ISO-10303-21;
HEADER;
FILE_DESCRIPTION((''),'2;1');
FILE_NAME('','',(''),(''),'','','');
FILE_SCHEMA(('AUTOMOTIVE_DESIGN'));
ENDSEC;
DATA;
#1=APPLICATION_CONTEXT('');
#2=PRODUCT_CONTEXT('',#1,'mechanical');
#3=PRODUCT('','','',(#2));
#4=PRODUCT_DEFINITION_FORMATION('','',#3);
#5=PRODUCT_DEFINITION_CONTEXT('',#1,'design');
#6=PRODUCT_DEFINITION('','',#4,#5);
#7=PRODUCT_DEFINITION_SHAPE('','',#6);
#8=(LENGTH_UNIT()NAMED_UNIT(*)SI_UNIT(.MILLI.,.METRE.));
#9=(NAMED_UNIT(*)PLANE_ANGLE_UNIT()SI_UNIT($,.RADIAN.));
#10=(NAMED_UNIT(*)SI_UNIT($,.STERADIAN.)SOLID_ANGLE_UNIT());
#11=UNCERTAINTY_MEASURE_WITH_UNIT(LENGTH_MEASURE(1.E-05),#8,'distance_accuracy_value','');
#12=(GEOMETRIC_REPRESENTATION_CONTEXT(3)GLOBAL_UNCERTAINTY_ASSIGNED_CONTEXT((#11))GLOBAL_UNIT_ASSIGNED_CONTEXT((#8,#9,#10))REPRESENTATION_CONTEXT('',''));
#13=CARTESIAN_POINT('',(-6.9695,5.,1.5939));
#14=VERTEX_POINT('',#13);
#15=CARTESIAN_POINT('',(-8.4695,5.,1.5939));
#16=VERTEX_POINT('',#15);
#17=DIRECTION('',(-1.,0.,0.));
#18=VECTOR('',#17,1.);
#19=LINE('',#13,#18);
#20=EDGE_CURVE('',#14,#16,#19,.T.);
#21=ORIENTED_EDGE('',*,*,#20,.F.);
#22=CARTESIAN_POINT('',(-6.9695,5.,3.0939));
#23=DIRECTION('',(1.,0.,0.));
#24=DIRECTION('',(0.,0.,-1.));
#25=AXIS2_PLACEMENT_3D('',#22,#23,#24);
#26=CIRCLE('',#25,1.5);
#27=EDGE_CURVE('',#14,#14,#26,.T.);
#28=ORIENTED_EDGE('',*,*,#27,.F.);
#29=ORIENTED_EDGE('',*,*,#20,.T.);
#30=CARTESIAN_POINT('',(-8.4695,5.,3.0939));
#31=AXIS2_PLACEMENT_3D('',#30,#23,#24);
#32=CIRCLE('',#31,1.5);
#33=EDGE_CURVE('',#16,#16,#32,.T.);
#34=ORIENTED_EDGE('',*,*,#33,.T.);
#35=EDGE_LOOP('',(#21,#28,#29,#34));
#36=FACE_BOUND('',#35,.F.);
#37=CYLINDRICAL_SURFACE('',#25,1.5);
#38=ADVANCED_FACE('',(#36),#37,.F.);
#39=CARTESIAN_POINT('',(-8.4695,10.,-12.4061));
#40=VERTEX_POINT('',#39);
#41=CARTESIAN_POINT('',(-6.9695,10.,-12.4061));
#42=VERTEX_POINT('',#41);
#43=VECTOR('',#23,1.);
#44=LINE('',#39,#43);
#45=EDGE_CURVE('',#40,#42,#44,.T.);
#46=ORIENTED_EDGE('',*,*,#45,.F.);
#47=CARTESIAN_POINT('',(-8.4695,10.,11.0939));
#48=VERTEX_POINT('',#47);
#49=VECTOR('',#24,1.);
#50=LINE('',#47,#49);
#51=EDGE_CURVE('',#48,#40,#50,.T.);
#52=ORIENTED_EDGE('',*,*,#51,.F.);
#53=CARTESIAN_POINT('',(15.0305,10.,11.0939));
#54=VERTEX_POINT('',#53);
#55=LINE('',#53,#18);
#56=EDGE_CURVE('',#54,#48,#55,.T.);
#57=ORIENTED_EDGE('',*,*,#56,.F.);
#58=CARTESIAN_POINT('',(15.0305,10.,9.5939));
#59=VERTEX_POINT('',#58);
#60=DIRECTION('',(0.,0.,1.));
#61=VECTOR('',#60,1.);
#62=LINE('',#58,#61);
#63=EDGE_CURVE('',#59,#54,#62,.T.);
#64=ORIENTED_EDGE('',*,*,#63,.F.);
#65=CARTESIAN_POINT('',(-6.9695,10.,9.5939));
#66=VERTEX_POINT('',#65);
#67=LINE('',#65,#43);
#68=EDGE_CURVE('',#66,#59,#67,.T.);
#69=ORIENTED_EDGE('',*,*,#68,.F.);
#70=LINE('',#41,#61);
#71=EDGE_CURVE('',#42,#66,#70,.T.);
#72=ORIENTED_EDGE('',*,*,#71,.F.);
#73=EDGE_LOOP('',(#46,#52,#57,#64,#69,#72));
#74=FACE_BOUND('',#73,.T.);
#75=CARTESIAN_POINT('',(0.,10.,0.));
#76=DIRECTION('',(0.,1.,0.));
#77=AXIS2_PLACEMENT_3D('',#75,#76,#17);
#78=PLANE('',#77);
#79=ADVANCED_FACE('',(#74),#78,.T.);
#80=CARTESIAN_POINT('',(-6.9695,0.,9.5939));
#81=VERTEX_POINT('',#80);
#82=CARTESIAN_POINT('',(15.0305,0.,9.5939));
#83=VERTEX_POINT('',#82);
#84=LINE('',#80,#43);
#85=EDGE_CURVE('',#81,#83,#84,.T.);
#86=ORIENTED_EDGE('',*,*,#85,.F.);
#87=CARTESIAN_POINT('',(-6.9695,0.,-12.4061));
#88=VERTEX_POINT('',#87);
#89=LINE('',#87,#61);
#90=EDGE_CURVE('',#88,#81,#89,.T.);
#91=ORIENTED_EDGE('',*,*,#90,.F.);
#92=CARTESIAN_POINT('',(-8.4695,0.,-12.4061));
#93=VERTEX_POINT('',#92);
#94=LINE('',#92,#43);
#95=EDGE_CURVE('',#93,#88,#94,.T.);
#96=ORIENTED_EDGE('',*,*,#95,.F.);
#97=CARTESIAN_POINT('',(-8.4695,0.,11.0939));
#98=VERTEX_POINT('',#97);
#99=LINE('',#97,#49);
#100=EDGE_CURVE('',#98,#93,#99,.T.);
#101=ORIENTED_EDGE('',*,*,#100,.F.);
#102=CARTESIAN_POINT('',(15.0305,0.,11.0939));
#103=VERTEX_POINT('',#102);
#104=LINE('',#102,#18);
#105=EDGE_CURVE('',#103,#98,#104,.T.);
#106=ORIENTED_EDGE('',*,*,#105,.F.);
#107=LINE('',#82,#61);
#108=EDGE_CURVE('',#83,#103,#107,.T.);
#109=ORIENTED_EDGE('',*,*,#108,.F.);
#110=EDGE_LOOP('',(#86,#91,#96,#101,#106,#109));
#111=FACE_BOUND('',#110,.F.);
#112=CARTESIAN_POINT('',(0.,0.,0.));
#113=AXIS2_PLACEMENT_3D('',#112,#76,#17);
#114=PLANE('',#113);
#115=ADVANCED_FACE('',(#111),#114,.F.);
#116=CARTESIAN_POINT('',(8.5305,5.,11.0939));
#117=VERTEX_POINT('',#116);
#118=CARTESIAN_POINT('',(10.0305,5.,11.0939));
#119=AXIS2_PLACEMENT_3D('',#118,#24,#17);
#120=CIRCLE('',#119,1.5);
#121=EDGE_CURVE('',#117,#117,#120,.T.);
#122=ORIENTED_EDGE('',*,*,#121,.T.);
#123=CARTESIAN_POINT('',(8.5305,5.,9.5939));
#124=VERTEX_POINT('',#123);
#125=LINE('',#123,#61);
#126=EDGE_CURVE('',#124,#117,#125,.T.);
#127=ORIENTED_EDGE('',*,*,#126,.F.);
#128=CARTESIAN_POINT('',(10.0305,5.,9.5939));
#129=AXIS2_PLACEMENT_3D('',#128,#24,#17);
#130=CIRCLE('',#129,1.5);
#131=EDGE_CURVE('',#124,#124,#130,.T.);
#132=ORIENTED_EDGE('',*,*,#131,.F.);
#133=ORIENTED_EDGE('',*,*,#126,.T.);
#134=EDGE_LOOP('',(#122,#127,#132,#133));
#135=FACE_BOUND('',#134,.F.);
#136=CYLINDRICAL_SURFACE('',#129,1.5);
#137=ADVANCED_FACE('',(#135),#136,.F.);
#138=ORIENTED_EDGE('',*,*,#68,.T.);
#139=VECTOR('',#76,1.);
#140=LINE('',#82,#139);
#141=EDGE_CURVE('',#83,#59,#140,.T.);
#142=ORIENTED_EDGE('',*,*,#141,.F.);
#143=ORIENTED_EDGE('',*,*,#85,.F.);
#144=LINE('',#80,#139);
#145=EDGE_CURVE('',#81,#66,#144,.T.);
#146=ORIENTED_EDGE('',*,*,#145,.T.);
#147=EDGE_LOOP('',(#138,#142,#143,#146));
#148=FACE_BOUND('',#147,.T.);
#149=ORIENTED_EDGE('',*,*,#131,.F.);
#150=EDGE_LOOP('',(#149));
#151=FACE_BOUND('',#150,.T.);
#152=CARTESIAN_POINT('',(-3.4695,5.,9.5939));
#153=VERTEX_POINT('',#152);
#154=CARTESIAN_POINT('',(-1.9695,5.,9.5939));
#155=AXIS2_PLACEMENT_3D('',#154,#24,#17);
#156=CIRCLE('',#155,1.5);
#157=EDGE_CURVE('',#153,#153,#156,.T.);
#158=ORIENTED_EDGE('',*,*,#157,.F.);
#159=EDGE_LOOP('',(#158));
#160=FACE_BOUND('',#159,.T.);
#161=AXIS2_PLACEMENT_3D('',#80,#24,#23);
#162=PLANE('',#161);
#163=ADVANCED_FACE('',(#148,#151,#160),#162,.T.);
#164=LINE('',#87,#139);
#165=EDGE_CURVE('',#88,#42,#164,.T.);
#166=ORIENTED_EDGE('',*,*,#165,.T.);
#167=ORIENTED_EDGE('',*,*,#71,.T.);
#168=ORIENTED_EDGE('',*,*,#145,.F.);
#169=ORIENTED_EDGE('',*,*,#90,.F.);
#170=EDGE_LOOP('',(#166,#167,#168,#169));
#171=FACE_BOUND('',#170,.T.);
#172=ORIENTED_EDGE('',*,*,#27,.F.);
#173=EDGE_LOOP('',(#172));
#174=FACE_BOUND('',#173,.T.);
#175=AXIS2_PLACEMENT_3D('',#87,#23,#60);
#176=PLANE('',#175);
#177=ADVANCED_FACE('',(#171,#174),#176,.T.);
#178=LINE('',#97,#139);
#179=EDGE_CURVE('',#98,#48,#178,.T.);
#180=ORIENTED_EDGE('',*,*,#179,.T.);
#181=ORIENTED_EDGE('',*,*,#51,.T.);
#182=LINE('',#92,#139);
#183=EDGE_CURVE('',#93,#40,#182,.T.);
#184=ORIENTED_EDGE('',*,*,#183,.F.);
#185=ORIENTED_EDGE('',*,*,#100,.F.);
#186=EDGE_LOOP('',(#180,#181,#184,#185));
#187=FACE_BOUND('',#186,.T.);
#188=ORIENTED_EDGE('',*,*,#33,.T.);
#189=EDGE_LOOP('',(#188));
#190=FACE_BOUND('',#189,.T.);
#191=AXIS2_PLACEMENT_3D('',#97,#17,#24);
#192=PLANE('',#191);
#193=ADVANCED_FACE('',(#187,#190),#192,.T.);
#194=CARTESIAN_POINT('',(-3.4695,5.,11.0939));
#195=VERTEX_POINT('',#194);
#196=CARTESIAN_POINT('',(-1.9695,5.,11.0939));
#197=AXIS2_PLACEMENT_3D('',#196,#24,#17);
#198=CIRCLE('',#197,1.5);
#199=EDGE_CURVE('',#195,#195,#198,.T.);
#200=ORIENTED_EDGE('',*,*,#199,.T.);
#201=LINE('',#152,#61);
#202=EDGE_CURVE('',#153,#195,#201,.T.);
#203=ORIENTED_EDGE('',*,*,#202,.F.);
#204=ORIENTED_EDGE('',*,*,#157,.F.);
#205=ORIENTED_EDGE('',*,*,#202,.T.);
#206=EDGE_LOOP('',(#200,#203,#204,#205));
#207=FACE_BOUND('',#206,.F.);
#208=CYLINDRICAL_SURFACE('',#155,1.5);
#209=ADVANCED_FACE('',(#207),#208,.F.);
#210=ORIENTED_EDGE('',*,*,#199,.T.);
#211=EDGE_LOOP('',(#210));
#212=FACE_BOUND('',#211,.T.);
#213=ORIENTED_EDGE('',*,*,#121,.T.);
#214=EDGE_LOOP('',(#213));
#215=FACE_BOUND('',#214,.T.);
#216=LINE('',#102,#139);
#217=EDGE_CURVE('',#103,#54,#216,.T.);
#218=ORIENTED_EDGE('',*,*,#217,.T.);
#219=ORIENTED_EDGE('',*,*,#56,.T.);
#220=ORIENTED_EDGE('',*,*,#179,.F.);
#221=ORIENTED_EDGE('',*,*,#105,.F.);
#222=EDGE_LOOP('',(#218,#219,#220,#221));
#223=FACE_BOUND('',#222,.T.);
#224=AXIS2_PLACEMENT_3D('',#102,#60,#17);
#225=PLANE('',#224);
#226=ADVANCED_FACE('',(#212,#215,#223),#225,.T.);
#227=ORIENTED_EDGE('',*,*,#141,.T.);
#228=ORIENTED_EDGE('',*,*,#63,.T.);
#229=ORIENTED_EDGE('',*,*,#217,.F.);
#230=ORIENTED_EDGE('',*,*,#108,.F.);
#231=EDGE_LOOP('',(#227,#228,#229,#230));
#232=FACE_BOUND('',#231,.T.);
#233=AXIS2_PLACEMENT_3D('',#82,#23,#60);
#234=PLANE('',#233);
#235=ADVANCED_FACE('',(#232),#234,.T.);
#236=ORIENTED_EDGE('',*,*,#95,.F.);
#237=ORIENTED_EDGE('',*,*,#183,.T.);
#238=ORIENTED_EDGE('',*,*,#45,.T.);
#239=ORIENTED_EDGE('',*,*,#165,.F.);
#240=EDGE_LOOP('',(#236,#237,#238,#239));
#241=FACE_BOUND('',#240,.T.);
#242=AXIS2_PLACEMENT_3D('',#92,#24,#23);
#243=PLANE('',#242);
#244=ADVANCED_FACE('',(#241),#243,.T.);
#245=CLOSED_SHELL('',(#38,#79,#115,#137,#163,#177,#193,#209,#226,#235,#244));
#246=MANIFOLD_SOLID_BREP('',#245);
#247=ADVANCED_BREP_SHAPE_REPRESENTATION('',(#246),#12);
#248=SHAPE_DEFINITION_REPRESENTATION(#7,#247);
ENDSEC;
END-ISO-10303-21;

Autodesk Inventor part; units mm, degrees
ref_plane "YZ Plane" through (0, 0, 0) normal (1, 0, 0) x (0, 1, 0)
ref_plane "XZ Plane" through (0, 0, 0) normal (0, 1, 0) x (-1, 0, 0)
ref_plane "XY Plane" through (0, 0, 0) normal (0, 0, 1) x (1, 0, 0)
sketch "Sketch1" plane through (0, 0, 0) normal (0, 1, 0) x (-1, 0, 0)
  line L0 (-15.0305, 11.0939) -> (8.4695, 11.0939)
  line L1 (8.4695, 11.0939) -> (8.4695, -12.4061)
  line L2 (8.4695, -12.4061) -> (6.9695, -12.4061)
  line L3 (6.9695, -12.4061) -> (6.9695, 9.5939)
  line L4 (6.9695, 9.5939) -> (-15.0305, 9.5939)
  line L5 (-15.0305, 9.5939) -> (-15.0305, 11.0939)
  point P0 (0, 0)
  dimension "d0" = 23.5
  dimension "d1" = 23.5
  dimension "d2" = 1.5
  dimension "d3" = 1.5
extrude "Extrusion1" add sketch "Sketch1" along normal blind 10
sketch "Sketch2" plane through (15.0305, 0, 9.5939) normal (0, 0, -1) x (-1, 0, 0)
  circle A0 centre (5, 5) radius 1.5
  circle A1 centre (17, 5) radius 1.5
  line L0 (0, 10) -> (22, 10) projected
  line L1 (0, 0) -> (0, 10) projected
  line L2 (23.5, 0) -> (23.5, 10) projected
  point P0 (15.0305, 0)
  dimension "d6" = 3
  dimension "d7" = 3
  dimension "d8" = 5
  dimension "d9" = 5
  dimension "d10" = 5
  dimension "d11" = 6.5
extrude "Extrusion2" cut sketch "Sketch2" against normal up to next
sketch "Sketch3" plane through (-6.9695, 0, 9.5939) normal (1, 0, 0) x (0, 0, -1)
  circle A0 centre (6.5, 5) radius 1.5
  line L0 (0, 10) -> (22, 10) projected
  line L1 (-1.5, 0) -> (-1.5, 10) projected
  point P0 (9.5939, 0)
  dimension "d14" = 3
  dimension "d15" = 5
  dimension "d16" = 8
extrude "Extrusion3" cut sketch "Sketch3" against normal up to next
properties part number "equerre_basse"
